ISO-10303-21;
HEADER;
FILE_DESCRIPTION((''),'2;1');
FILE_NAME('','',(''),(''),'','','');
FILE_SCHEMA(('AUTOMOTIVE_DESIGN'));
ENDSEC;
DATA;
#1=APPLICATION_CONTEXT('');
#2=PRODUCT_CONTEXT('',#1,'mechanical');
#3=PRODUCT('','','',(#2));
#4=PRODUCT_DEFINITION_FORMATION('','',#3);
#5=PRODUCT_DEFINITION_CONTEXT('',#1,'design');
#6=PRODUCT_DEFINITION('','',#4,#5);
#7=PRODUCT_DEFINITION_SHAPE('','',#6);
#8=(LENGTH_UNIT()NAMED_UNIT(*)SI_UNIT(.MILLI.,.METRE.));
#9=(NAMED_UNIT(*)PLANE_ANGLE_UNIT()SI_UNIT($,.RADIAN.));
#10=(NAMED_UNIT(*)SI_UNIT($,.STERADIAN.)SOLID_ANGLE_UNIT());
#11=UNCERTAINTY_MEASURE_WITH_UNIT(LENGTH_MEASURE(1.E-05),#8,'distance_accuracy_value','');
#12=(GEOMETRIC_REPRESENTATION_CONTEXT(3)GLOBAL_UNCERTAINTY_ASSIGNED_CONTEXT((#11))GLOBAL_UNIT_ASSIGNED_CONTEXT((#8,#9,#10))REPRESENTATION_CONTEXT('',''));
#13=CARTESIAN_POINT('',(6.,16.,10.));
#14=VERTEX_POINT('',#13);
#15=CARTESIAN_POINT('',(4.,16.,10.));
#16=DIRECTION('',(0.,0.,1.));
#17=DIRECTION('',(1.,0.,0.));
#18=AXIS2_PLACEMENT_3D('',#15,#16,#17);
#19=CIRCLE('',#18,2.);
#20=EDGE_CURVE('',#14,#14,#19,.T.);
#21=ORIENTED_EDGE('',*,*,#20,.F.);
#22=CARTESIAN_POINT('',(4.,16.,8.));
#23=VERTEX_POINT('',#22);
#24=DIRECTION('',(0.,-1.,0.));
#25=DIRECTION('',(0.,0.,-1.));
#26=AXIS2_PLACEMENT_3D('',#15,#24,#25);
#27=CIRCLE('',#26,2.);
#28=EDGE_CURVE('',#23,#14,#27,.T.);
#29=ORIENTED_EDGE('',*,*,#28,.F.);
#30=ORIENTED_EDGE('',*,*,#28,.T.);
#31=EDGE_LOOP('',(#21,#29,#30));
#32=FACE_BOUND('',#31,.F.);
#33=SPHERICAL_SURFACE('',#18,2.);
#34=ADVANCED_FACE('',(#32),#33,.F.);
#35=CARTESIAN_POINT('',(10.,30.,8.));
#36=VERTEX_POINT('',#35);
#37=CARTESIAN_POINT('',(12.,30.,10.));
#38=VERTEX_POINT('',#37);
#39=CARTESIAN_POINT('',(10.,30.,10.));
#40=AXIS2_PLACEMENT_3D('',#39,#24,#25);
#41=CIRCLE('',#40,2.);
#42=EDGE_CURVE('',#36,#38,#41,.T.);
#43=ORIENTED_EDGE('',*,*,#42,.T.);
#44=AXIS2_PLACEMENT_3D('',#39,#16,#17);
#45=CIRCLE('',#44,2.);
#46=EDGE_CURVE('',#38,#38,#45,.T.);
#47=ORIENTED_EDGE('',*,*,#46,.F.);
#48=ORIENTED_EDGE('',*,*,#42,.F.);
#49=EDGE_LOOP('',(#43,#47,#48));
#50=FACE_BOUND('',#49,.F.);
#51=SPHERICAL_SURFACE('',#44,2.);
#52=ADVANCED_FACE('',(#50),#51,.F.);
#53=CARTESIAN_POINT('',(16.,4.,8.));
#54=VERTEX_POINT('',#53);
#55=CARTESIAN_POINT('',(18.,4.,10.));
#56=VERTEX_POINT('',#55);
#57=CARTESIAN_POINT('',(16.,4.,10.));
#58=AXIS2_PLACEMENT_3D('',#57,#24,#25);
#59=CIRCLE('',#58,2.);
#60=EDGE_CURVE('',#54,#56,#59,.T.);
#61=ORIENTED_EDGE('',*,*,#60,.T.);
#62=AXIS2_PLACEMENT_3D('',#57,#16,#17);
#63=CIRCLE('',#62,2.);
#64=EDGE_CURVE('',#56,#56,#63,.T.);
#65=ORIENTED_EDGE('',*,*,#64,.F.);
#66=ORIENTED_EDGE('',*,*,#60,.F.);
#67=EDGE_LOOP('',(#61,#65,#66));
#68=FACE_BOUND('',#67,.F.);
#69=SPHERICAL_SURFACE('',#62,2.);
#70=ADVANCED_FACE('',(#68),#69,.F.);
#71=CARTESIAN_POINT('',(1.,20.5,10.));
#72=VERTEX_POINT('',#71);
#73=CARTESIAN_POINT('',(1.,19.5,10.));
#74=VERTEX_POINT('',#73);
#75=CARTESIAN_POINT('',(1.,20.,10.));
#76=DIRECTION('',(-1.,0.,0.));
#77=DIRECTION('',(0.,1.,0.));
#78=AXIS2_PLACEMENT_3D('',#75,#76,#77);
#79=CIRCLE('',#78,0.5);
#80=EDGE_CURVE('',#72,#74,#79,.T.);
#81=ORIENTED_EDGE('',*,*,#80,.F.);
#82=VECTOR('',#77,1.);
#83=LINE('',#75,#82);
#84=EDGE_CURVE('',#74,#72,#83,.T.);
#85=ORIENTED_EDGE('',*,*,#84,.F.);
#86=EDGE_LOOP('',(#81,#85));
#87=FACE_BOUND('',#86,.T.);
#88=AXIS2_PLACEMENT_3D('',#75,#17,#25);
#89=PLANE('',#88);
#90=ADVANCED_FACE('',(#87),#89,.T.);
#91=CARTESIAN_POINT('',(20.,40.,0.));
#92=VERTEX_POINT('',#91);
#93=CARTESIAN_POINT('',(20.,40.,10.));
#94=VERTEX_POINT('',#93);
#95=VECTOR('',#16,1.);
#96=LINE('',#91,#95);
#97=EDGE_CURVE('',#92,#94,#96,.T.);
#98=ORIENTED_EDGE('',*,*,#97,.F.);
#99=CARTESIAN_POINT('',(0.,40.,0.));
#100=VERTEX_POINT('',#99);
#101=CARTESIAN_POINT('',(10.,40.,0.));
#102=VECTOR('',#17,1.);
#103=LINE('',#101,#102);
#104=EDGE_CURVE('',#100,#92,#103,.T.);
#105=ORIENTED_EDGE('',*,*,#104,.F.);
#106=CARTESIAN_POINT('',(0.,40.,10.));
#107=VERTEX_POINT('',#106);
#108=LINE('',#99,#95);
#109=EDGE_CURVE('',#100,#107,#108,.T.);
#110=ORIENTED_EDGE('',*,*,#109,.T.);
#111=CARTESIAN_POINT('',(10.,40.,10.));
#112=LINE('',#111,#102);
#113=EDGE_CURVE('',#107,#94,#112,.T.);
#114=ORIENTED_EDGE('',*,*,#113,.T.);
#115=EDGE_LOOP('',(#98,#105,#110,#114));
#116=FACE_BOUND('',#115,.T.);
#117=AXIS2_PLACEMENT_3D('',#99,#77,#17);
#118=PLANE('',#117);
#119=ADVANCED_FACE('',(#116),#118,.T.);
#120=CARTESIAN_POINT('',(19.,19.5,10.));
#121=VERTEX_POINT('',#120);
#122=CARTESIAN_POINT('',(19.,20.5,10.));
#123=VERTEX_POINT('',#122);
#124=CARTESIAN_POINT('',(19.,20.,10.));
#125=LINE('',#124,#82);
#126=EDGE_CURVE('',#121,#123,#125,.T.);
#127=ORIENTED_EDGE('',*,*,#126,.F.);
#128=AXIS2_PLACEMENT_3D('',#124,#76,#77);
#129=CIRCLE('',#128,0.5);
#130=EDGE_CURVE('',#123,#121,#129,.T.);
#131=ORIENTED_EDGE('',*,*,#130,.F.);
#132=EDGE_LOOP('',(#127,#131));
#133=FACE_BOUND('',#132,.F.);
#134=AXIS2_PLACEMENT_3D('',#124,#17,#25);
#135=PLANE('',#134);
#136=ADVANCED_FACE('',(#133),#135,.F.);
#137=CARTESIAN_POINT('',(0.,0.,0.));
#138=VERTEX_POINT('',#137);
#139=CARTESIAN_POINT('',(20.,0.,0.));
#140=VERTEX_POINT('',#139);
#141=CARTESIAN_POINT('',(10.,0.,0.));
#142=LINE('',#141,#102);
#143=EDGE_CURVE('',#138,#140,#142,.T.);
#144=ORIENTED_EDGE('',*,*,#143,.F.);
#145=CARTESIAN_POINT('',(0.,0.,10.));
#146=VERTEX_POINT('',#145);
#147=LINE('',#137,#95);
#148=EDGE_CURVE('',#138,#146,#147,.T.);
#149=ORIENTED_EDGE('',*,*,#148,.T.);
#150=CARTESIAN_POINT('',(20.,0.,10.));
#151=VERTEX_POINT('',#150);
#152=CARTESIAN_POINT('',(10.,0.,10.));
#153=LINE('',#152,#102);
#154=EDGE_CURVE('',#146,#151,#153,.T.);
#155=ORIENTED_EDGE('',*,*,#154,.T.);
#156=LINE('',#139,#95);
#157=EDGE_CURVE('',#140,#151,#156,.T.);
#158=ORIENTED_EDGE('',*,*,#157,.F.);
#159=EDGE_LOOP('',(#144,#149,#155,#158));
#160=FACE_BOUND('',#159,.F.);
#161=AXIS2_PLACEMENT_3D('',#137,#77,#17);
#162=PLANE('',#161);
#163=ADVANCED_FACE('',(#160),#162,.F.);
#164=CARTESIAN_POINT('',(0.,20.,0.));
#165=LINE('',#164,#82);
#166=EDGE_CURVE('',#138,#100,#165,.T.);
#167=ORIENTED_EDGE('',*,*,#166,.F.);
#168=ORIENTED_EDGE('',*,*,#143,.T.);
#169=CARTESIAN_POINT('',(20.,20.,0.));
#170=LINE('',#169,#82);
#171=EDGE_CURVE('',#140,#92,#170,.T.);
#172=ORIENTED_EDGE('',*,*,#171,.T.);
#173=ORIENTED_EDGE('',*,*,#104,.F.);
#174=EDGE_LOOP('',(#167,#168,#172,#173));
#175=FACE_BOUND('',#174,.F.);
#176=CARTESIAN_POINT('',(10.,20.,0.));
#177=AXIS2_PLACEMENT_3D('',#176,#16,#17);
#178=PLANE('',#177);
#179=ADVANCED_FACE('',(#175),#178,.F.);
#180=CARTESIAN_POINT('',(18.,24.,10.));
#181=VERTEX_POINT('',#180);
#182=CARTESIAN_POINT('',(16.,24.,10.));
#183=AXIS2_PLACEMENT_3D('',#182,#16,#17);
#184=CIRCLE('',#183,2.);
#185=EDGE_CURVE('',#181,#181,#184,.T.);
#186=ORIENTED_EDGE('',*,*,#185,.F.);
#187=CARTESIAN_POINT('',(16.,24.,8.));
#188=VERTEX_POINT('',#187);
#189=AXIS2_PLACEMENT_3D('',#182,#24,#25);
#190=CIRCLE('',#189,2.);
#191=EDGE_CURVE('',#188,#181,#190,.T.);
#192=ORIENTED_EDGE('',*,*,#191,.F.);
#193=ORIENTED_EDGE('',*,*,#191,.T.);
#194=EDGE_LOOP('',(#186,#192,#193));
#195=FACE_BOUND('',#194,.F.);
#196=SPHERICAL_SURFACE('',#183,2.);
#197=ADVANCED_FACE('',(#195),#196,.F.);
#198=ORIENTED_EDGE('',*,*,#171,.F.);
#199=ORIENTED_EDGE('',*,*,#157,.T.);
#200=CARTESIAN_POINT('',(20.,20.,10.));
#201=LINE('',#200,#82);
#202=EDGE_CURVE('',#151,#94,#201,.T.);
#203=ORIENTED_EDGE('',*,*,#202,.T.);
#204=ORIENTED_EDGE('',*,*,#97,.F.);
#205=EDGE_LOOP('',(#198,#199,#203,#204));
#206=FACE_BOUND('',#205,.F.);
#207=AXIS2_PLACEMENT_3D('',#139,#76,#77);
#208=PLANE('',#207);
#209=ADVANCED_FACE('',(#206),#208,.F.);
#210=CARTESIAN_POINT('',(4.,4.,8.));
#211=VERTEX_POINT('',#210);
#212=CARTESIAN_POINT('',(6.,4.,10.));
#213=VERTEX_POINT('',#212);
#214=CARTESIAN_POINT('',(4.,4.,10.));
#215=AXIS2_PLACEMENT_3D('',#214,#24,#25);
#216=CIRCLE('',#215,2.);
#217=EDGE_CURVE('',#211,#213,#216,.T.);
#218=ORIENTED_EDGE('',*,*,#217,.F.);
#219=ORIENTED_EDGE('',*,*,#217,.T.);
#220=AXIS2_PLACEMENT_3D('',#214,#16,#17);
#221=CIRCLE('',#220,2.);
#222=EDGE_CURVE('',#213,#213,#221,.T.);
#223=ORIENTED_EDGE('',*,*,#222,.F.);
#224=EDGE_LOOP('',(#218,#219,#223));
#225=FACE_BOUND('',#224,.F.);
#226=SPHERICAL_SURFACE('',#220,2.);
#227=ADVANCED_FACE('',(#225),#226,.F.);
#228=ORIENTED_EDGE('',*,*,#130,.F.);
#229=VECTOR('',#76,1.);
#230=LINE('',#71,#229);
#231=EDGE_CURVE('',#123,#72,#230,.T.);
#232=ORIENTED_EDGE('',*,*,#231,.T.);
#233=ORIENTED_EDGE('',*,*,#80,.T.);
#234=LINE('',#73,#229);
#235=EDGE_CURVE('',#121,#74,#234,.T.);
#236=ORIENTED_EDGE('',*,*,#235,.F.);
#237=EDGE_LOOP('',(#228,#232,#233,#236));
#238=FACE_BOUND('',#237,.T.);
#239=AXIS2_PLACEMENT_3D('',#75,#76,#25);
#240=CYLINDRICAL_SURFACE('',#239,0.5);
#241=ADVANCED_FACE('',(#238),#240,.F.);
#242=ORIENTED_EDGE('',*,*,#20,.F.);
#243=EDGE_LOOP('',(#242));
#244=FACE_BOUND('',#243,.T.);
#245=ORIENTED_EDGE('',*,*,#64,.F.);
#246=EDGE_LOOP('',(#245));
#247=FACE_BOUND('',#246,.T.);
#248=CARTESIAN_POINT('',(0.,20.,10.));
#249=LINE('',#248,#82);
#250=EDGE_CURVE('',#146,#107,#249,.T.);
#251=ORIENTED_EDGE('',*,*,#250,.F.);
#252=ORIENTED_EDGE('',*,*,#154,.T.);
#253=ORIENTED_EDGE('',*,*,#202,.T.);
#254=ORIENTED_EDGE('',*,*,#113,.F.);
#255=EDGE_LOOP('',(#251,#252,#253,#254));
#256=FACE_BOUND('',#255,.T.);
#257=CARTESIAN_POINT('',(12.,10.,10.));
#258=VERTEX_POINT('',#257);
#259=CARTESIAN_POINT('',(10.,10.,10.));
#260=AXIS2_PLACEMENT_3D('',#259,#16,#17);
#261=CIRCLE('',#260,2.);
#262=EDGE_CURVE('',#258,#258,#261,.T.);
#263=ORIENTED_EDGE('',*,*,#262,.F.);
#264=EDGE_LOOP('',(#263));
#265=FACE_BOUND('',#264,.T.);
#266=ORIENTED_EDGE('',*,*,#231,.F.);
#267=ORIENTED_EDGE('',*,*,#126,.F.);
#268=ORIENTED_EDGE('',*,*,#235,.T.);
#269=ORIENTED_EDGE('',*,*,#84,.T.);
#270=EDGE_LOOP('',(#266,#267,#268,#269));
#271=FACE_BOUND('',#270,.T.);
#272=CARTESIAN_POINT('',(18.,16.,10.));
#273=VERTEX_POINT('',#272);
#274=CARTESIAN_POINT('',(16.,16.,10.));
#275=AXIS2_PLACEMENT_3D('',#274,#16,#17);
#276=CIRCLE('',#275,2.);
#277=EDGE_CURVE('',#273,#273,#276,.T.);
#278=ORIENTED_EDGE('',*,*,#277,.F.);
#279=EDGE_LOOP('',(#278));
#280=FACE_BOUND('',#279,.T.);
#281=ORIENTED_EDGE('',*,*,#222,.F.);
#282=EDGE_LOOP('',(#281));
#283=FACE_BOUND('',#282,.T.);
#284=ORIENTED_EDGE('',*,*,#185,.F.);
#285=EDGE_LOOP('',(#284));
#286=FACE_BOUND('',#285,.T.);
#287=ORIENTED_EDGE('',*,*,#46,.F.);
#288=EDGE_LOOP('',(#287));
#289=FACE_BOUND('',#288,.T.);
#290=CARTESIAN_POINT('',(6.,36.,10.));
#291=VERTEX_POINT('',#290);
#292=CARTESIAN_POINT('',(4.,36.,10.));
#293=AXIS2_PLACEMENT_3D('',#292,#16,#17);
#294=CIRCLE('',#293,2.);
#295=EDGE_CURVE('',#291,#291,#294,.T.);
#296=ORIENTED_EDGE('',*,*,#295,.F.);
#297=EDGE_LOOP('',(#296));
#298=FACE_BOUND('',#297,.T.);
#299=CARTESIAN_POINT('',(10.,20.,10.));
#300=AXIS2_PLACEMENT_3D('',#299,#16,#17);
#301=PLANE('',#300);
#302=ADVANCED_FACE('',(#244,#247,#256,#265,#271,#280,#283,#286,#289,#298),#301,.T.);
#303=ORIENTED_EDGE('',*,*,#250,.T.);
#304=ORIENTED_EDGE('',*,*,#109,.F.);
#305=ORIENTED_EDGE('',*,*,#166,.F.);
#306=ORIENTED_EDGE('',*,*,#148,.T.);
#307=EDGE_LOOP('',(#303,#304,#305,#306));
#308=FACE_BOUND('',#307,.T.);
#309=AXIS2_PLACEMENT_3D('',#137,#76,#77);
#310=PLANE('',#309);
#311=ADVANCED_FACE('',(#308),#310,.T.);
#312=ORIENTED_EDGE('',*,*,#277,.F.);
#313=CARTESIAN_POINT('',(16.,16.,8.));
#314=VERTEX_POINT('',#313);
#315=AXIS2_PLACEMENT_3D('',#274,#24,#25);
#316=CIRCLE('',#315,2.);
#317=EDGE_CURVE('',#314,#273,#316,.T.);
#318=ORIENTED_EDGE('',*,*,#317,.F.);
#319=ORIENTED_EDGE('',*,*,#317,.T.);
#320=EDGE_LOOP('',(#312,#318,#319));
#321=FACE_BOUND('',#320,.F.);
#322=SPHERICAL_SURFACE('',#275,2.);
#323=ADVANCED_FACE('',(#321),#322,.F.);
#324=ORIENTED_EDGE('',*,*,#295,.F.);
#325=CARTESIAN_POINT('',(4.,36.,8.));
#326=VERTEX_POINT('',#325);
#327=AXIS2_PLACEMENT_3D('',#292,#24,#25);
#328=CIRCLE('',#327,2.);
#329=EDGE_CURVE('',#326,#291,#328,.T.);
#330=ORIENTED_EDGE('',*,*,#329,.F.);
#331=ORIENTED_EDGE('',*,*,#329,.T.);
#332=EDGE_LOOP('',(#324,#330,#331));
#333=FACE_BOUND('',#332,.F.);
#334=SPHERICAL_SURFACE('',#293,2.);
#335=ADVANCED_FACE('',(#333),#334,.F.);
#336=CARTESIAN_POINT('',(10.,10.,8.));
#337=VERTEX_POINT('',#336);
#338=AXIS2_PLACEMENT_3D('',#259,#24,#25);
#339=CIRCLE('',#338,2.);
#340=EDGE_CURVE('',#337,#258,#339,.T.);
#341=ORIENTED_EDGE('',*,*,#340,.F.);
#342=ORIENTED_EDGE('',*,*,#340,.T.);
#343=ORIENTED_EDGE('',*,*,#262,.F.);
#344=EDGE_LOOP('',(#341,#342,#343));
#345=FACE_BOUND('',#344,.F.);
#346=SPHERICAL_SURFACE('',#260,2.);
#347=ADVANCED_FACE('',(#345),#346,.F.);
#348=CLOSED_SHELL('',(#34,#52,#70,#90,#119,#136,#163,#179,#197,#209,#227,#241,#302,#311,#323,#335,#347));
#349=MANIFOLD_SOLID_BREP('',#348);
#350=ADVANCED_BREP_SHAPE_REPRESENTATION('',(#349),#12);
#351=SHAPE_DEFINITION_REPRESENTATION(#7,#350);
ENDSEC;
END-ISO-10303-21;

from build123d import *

# Parameters (mm, degrees)
CYLINDER_R     = 0.5
CYLINDER_DEPTH = 18
BOX_W          = 20
BOX_H          = 40
BOX_DEPTH      = 10


with BuildPart() as esfera006:
    # Sphere006 → Sphere006 (revolve)
    with BuildSketch(Plane(origin=(16, 24, 10), x_dir=(1, 0, 0), z_dir=(0, -1, 0))):
        with BuildLine():
            ThreePointArc((0, -2), (2, 0), (0, 2))
            Line((0, 2), (0, -2))
        make_face()
    revolve(axis=Axis((16, 24, 10), (0, 0, 1)))


with BuildPart() as esfera007:
    # Sphere007 → Sphere007 (revolve)
    with BuildSketch(Plane(origin=(10, 30, 10), x_dir=(1, 0, 0), z_dir=(0, -1, 0))):
        with BuildLine():
            ThreePointArc((0, -2), (2, 0), (0, 2))
            Line((0, 2), (0, -2))
        make_face()
    revolve(axis=Axis((10, 30, 10), (0, 0, 1)))


with BuildPart() as fusion001:
    # Sphere005 → Sphere005 (revolve)
    with BuildSketch(Plane(origin=(4, 36, 10), x_dir=(1, 0, 0), z_dir=(0, -1, 0))):
        with BuildLine():
            ThreePointArc((0, -2), (2, 0), (0, 2))
            Line((0, 2), (0, -2))
        make_face()
    revolve(axis=Axis((4, 36, 10), (0, 0, 1)))

    # Fusion001: union Esfera006, Esfera007
    add(esfera006.part)
    add(esfera007.part)


with BuildPart() as esfera001:
    # Sphere001 → Sphere001 (revolve)
    with BuildSketch(Plane(origin=(16, 4, 10), x_dir=(1, 0, 0), z_dir=(0, -1, 0))):
        with BuildLine():
            ThreePointArc((0, -2), (2, 0), (0, 2))
            Line((0, 2), (0, -2))
        make_face()
    revolve(axis=Axis((16, 4, 10), (0, 0, 1)))


with BuildPart() as esfera002:
    # Sphere002 → Sphere002 (revolve)
    with BuildSketch(Plane(origin=(4, 16, 10), x_dir=(1, 0, 0), z_dir=(0, -1, 0))):
        with BuildLine():
            ThreePointArc((0, -2), (2, 0), (0, 2))
            Line((0, 2), (0, -2))
        make_face()
    revolve(axis=Axis((4, 16, 10), (0, 0, 1)))


with BuildPart() as esfera003:
    # Sphere003 → Sphere003 (revolve)
    with BuildSketch(Plane(origin=(16, 16, 10), x_dir=(1, 0, 0), z_dir=(0, -1, 0))):
        with BuildLine():
            ThreePointArc((0, -2), (2, 0), (0, 2))
            Line((0, 2), (0, -2))
        make_face()
    revolve(axis=Axis((16, 16, 10), (0, 0, 1)))


with BuildPart() as esfera004:
    # Sphere004 → Sphere004 (revolve)
    with BuildSketch(Plane(origin=(10, 10, 10), x_dir=(1, 0, 0), z_dir=(0, -1, 0))):
        with BuildLine():
            ThreePointArc((0, -2), (2, 0), (0, 2))
            Line((0, 2), (0, -2))
        make_face()
    revolve(axis=Axis((10, 10, 10), (0, 0, 1)))


with BuildPart() as fusion:
    # Sphere → Sphere (revolve)
    with BuildSketch(Plane(origin=(4, 4, 10), x_dir=(1, 0, 0), z_dir=(0, -1, 0))):
        with BuildLine():
            ThreePointArc((0, -2), (2, 0), (0, 2))
            Line((0, 2), (0, -2))
        make_face()
    revolve(axis=Axis((4, 4, 10), (0, 0, 1)))

    # Fusion: union Esfera001, Esfera002, Esfera003, Esfera004
    add(esfera001.part)
    add(esfera002.part)
    add(esfera003.part)
    add(esfera004.part)


with BuildPart() as cilindre:
    # Cylinder → Cylinder (new body)
    with BuildSketch(Plane(origin=(1, 20, 10), x_dir=(0, 0, -1), z_dir=(1, 0, 0))):
        Circle(CYLINDER_R)
    extrude(amount=CYLINDER_DEPTH)


with BuildPart() as domino:
    # Box → Box (new body)
    with BuildSketch(Plane.XY):
        with Locations((10, 20)):
            Rectangle(BOX_W, BOX_H)
    extrude(amount=BOX_DEPTH)

    # Cut: cut Cilindre
    add(cilindre.part, mode=Mode.SUBTRACT)

    # Cut001: cut Fusion
    add(fusion.part, mode=Mode.SUBTRACT)

    # Cut002: cut Fusion001
    add(fusion001.part, mode=Mode.SUBTRACT)


solid = domino.part
